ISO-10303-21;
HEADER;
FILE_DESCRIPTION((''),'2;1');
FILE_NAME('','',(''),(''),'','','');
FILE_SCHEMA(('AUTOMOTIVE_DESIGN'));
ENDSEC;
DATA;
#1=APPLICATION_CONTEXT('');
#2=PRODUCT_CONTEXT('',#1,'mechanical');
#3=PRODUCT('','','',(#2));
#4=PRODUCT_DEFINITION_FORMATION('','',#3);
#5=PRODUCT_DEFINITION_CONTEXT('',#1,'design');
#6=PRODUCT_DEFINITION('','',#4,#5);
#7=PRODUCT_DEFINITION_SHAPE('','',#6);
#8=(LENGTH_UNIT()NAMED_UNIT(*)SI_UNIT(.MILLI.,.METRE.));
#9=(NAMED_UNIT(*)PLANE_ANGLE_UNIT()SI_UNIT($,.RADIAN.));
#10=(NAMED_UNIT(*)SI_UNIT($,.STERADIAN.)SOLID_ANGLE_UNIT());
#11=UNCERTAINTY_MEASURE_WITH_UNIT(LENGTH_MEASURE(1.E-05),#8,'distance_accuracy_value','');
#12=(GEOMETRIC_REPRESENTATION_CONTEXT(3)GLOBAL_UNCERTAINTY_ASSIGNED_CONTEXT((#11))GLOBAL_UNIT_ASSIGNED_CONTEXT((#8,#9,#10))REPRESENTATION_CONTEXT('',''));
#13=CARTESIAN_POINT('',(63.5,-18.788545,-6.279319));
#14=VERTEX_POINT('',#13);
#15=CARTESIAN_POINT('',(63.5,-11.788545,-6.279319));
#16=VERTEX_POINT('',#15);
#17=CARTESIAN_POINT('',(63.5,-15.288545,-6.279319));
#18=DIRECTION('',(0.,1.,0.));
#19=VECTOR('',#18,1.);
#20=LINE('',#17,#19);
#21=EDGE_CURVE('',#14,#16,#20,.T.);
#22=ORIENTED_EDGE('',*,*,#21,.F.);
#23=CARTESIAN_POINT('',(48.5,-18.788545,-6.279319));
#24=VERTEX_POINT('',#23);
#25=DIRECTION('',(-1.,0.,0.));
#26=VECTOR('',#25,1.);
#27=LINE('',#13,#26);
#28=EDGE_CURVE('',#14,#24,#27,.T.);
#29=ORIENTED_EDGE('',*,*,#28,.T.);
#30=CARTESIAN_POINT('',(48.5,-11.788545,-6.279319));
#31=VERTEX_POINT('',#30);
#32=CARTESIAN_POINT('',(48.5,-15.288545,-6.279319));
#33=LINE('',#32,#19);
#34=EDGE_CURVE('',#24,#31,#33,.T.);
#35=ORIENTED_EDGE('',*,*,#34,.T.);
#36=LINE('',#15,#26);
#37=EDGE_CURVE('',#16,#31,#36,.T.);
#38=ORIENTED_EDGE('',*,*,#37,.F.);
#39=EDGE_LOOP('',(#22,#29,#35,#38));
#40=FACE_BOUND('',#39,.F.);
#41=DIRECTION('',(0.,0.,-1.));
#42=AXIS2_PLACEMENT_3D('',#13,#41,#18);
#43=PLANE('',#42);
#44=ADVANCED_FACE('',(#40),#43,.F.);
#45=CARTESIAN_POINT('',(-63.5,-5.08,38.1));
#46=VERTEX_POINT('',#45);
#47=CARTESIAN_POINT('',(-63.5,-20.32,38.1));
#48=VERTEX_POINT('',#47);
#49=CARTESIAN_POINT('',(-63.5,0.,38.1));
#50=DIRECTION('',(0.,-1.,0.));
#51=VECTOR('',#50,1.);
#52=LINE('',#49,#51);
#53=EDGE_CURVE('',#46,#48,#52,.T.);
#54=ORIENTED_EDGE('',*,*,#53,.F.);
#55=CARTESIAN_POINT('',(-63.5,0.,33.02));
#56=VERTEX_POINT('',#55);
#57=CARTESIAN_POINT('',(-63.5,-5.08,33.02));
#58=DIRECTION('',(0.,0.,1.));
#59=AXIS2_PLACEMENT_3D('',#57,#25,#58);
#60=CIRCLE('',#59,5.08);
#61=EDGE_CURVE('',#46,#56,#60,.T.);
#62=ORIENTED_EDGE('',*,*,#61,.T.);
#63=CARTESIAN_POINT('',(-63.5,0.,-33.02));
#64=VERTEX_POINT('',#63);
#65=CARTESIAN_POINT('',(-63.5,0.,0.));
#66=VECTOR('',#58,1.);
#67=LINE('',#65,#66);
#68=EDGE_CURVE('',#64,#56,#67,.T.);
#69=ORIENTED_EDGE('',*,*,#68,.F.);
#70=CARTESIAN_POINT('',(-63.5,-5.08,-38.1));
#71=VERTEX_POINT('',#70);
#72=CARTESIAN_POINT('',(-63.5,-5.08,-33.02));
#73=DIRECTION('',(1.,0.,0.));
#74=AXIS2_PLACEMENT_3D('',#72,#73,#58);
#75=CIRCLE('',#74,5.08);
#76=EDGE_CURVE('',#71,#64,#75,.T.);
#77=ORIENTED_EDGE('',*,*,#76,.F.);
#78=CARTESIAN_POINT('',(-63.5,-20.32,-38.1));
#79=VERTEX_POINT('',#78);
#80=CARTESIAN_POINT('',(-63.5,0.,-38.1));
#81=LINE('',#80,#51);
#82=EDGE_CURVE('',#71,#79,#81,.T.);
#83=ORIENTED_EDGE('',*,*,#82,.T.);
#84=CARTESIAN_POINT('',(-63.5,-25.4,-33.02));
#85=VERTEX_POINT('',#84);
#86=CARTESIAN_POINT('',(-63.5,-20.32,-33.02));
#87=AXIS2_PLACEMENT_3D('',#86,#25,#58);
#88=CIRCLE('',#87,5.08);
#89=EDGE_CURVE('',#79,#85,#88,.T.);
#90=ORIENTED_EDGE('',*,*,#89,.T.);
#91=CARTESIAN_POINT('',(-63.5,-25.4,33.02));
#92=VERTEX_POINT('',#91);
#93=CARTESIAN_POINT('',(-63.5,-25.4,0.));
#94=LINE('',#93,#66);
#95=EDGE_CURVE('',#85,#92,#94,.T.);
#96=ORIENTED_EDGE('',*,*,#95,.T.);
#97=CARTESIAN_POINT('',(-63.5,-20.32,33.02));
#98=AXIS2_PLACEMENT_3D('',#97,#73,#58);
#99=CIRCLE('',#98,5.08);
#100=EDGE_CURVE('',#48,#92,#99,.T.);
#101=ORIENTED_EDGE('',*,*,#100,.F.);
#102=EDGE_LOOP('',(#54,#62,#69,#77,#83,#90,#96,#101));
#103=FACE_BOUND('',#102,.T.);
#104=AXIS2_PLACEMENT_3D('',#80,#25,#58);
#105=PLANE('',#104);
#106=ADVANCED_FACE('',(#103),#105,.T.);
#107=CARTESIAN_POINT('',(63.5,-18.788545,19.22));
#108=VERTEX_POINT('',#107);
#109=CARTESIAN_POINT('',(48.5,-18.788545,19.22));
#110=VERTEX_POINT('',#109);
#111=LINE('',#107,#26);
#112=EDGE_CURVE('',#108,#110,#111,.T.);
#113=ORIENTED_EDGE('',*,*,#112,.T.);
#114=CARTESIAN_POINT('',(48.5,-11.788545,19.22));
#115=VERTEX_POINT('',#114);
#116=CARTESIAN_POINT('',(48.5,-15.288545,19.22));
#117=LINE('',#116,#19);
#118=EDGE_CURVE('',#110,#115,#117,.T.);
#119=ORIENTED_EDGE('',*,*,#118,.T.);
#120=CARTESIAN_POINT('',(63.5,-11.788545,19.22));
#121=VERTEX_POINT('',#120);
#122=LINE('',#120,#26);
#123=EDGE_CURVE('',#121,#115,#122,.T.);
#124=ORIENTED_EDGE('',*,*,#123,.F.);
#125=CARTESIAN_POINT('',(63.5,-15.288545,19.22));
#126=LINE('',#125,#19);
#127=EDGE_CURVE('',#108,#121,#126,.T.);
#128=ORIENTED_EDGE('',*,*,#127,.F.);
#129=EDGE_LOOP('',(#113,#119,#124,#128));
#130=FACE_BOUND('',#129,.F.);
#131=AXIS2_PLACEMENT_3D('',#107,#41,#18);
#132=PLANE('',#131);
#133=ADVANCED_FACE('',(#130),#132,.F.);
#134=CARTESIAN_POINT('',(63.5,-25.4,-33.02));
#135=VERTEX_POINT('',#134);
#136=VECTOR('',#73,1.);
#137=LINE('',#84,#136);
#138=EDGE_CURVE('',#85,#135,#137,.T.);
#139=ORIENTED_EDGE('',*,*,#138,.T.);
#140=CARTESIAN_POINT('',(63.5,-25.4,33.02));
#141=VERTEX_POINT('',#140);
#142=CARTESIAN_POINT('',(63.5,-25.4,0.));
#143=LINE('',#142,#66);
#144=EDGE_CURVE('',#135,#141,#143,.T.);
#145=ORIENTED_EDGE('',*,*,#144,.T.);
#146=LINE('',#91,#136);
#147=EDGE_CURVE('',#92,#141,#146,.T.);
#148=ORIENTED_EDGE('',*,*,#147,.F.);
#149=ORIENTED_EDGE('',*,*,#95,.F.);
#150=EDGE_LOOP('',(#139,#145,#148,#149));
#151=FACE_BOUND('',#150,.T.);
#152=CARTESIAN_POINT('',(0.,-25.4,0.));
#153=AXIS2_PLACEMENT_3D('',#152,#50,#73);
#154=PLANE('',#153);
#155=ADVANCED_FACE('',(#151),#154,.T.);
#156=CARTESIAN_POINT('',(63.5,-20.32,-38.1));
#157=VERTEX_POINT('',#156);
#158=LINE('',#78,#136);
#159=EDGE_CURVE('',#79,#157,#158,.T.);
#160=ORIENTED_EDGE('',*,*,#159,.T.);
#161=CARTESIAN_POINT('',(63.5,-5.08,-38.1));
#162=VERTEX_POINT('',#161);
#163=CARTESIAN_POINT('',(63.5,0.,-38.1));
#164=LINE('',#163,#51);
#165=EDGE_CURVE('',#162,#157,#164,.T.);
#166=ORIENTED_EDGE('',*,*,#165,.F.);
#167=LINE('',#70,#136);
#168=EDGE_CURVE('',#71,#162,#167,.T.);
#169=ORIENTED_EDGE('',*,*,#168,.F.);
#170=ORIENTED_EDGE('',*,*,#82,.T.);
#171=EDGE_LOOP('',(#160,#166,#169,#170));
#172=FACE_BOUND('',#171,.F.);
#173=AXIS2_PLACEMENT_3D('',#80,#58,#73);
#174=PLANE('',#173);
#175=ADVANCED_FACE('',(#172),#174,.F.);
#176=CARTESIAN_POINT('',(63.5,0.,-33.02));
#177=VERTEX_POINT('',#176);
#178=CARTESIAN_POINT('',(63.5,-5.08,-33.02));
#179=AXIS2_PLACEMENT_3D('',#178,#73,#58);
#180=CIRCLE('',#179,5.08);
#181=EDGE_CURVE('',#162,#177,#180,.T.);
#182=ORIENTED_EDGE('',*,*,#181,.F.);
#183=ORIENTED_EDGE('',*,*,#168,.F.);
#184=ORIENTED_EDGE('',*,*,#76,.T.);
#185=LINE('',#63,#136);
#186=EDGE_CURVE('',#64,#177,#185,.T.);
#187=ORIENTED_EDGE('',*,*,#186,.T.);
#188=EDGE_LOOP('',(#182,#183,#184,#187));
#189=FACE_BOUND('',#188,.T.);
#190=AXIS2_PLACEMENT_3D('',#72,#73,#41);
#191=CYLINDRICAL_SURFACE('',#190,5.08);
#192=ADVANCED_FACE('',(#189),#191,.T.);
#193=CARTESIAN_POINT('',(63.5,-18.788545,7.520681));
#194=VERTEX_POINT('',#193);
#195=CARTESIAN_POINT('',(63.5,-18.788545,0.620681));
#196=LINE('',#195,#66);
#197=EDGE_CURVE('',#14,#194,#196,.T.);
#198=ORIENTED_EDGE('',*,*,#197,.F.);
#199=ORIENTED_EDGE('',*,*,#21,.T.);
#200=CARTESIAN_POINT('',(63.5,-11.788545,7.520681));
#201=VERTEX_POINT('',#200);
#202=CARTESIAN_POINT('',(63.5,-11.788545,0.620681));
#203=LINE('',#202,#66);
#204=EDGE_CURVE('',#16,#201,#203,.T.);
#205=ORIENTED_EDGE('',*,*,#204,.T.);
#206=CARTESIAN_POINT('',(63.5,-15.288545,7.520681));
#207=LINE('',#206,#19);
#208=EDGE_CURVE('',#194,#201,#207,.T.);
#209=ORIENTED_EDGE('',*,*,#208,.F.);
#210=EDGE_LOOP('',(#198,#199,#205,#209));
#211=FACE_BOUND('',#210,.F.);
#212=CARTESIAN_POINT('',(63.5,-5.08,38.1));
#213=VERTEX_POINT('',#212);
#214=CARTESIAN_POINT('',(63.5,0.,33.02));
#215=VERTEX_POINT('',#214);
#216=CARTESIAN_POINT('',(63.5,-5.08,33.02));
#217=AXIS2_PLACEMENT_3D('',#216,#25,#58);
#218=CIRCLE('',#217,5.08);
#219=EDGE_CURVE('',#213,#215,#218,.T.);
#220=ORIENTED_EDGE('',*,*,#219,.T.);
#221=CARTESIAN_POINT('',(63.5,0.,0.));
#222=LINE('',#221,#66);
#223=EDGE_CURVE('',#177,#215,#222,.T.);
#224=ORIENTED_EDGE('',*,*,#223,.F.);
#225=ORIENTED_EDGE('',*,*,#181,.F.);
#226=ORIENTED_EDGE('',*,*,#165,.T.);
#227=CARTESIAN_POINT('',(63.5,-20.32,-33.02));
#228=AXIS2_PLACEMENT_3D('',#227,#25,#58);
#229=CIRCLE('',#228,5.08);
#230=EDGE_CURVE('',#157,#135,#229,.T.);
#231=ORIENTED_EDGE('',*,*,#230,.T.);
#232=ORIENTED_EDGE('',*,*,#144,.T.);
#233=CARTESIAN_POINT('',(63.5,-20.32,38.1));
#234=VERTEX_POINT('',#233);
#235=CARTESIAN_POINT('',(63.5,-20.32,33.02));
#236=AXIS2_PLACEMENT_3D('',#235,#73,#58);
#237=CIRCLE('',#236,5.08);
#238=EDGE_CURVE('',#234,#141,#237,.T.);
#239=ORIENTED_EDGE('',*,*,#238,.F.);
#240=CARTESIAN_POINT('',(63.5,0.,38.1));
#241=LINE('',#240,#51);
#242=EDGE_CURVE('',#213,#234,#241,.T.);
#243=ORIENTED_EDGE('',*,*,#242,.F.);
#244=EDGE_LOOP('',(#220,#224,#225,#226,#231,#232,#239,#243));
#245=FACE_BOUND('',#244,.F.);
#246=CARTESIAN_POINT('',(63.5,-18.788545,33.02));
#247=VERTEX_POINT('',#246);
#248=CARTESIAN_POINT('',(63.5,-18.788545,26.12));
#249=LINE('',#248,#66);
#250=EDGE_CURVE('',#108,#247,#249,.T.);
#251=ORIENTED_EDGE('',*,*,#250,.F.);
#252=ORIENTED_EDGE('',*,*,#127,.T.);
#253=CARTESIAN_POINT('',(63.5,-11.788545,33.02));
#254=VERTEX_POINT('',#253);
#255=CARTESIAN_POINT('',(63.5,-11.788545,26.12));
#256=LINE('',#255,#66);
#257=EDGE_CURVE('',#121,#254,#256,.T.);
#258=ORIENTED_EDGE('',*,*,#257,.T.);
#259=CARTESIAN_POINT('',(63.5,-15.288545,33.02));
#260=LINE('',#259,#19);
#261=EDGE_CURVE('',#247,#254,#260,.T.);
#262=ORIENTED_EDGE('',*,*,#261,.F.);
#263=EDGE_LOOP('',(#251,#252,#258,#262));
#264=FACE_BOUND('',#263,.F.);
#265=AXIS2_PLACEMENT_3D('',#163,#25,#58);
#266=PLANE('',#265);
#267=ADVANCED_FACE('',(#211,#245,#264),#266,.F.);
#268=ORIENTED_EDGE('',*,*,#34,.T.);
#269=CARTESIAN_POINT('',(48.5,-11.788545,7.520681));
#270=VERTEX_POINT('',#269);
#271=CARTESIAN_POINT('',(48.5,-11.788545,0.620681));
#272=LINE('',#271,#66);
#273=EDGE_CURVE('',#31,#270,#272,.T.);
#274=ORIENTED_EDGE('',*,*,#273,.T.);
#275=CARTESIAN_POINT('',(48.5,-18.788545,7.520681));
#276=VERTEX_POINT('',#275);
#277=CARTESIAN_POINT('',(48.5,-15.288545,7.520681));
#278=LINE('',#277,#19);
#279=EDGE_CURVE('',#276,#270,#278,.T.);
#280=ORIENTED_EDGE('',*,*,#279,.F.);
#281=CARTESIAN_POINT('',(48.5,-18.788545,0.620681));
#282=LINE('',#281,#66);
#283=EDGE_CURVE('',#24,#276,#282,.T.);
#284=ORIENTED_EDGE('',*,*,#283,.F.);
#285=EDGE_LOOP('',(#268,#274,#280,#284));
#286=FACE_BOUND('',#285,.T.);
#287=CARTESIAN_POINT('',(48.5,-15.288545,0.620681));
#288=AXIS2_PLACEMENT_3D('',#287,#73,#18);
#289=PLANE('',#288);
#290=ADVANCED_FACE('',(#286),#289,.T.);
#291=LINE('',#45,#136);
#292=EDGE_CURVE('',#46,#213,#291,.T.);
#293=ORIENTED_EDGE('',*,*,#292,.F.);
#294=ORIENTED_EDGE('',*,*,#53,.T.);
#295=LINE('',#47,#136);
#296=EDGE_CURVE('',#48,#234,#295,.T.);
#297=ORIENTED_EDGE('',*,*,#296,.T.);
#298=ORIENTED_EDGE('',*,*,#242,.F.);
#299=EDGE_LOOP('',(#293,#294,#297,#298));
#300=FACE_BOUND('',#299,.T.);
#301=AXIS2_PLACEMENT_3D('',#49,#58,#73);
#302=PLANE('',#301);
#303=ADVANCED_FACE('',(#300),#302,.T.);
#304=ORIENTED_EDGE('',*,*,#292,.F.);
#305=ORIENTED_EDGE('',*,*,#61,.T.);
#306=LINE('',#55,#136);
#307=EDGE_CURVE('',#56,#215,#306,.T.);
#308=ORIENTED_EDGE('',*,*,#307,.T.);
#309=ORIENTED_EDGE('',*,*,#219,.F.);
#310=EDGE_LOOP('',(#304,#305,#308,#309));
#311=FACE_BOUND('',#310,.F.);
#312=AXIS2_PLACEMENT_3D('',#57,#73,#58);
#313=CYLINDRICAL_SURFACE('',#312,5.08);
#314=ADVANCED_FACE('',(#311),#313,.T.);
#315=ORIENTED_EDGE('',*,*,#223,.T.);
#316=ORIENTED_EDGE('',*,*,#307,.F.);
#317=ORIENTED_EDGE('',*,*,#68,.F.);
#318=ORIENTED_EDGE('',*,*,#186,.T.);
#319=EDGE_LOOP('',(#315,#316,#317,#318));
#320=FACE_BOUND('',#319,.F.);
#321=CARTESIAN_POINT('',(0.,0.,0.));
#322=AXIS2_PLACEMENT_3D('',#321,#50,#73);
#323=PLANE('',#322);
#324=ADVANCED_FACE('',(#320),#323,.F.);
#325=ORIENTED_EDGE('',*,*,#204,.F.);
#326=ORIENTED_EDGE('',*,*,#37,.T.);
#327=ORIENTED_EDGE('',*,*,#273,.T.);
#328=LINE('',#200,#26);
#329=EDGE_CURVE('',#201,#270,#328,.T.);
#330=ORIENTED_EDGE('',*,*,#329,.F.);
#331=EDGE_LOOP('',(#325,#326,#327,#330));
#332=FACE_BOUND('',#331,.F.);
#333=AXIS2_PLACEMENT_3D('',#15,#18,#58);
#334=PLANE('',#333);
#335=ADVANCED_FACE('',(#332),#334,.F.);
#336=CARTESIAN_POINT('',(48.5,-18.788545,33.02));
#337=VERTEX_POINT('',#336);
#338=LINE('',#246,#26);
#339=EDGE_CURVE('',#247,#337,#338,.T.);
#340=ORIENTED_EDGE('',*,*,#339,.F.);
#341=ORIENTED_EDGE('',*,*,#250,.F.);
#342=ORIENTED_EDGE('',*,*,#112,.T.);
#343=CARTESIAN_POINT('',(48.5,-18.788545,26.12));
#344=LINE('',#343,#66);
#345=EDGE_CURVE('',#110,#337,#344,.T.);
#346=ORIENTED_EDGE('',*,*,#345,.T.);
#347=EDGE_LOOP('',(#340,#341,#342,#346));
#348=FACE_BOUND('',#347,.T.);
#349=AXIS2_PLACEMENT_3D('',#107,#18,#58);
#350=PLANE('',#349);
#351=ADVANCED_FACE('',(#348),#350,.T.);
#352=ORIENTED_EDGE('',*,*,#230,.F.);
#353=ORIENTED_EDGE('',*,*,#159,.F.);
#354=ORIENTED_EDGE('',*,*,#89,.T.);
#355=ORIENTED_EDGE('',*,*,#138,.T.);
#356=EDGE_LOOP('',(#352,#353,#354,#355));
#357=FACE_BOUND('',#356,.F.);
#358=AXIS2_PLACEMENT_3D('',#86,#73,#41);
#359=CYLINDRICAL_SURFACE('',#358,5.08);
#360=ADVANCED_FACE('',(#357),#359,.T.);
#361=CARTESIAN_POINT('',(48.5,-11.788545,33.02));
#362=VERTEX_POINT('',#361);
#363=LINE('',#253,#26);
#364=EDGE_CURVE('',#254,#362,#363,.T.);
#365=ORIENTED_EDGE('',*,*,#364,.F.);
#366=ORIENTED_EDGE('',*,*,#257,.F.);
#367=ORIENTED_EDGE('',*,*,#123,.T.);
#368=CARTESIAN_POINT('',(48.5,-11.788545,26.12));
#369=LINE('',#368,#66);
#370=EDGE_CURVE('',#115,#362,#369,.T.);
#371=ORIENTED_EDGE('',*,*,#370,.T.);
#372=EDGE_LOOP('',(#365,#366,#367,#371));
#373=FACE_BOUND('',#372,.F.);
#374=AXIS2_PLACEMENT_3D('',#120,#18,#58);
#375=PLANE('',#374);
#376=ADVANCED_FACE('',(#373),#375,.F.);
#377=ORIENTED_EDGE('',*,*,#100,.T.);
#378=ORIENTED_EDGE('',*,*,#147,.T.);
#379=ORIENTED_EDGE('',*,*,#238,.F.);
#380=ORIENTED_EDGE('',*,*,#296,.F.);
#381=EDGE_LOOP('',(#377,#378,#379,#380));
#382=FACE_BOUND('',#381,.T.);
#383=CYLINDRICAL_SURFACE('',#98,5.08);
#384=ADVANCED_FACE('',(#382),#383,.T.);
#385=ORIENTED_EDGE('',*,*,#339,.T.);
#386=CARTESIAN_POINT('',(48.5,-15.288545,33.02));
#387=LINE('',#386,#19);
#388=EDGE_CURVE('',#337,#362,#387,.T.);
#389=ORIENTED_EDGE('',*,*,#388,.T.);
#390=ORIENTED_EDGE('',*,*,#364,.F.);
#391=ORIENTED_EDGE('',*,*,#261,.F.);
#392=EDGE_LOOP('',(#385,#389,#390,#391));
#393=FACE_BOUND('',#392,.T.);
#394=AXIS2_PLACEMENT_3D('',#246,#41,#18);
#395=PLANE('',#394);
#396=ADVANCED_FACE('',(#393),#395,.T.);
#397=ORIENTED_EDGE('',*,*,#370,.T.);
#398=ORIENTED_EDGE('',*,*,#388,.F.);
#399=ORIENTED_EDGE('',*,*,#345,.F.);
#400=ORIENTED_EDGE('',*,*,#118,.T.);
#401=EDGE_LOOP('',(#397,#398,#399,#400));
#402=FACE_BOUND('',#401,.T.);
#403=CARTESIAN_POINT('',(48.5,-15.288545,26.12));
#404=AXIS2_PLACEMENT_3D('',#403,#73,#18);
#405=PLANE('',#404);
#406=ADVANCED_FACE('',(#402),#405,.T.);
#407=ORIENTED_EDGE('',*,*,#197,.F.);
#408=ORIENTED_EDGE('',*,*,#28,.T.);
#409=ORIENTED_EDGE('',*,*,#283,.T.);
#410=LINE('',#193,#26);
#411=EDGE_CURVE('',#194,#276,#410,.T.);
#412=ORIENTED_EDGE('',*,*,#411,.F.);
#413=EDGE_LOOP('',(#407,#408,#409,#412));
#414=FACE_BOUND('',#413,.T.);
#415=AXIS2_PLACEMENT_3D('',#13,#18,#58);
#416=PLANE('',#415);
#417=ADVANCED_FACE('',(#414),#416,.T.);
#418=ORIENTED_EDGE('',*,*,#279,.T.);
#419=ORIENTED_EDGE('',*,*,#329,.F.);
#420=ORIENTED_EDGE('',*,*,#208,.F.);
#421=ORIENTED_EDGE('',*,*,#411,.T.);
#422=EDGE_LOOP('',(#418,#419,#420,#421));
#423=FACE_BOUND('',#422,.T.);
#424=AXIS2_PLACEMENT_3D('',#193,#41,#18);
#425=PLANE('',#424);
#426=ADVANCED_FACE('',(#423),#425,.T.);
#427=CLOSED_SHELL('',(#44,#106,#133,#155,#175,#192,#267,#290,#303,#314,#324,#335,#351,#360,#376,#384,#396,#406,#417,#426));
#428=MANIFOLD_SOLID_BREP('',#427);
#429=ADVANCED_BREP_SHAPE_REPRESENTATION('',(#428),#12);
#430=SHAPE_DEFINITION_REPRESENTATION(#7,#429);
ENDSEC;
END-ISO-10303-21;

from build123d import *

# Parameters (mm, degrees)
F0_W     = 127
F0_H     = 76.2
F1_DEPTH = 25.4
F2_R     = 5.08
F3_W     = 7
F3_H     = 13.8
F4_DEPTH = 15
F5_W     = 7
F5_H     = 13.8
F6_DEPTH = 15


with BuildPart() as f1:
    # F0 (on Front) → F1 (new body)
    with BuildSketch(Plane.XZ):
        Rectangle(F0_W, F0_H)
    extrude(amount=F1_DEPTH)

    # F2
    f2_edges = [f1.edges().sort_by_distance(p)[0] for p in [
        (0, -25.4, 38.1),
        (0, 0, 38.1),
        (0, -25.4, -38.1),
        (0, 0, -38.1),
    ]]
    fillet(f2_edges, radius=F2_R)

    # F3 (on face) → F4 (cut)
    with BuildSketch(Plane.YZ.offset(63.5)):
        with Locations((-15.288545, 26.12)):
            Rectangle(F3_W, F3_H)
    extrude(amount=-F4_DEPTH, mode=Mode.SUBTRACT)

    # F5 (on face) → F6 (cut)
    with BuildSketch(Plane.YZ.offset(63.5)):
        with Locations((-15.288545, 0.620681)):
            Rectangle(F5_W, F5_H)
    extrude(amount=-F6_DEPTH, mode=Mode.SUBTRACT)


solid = f1.part
